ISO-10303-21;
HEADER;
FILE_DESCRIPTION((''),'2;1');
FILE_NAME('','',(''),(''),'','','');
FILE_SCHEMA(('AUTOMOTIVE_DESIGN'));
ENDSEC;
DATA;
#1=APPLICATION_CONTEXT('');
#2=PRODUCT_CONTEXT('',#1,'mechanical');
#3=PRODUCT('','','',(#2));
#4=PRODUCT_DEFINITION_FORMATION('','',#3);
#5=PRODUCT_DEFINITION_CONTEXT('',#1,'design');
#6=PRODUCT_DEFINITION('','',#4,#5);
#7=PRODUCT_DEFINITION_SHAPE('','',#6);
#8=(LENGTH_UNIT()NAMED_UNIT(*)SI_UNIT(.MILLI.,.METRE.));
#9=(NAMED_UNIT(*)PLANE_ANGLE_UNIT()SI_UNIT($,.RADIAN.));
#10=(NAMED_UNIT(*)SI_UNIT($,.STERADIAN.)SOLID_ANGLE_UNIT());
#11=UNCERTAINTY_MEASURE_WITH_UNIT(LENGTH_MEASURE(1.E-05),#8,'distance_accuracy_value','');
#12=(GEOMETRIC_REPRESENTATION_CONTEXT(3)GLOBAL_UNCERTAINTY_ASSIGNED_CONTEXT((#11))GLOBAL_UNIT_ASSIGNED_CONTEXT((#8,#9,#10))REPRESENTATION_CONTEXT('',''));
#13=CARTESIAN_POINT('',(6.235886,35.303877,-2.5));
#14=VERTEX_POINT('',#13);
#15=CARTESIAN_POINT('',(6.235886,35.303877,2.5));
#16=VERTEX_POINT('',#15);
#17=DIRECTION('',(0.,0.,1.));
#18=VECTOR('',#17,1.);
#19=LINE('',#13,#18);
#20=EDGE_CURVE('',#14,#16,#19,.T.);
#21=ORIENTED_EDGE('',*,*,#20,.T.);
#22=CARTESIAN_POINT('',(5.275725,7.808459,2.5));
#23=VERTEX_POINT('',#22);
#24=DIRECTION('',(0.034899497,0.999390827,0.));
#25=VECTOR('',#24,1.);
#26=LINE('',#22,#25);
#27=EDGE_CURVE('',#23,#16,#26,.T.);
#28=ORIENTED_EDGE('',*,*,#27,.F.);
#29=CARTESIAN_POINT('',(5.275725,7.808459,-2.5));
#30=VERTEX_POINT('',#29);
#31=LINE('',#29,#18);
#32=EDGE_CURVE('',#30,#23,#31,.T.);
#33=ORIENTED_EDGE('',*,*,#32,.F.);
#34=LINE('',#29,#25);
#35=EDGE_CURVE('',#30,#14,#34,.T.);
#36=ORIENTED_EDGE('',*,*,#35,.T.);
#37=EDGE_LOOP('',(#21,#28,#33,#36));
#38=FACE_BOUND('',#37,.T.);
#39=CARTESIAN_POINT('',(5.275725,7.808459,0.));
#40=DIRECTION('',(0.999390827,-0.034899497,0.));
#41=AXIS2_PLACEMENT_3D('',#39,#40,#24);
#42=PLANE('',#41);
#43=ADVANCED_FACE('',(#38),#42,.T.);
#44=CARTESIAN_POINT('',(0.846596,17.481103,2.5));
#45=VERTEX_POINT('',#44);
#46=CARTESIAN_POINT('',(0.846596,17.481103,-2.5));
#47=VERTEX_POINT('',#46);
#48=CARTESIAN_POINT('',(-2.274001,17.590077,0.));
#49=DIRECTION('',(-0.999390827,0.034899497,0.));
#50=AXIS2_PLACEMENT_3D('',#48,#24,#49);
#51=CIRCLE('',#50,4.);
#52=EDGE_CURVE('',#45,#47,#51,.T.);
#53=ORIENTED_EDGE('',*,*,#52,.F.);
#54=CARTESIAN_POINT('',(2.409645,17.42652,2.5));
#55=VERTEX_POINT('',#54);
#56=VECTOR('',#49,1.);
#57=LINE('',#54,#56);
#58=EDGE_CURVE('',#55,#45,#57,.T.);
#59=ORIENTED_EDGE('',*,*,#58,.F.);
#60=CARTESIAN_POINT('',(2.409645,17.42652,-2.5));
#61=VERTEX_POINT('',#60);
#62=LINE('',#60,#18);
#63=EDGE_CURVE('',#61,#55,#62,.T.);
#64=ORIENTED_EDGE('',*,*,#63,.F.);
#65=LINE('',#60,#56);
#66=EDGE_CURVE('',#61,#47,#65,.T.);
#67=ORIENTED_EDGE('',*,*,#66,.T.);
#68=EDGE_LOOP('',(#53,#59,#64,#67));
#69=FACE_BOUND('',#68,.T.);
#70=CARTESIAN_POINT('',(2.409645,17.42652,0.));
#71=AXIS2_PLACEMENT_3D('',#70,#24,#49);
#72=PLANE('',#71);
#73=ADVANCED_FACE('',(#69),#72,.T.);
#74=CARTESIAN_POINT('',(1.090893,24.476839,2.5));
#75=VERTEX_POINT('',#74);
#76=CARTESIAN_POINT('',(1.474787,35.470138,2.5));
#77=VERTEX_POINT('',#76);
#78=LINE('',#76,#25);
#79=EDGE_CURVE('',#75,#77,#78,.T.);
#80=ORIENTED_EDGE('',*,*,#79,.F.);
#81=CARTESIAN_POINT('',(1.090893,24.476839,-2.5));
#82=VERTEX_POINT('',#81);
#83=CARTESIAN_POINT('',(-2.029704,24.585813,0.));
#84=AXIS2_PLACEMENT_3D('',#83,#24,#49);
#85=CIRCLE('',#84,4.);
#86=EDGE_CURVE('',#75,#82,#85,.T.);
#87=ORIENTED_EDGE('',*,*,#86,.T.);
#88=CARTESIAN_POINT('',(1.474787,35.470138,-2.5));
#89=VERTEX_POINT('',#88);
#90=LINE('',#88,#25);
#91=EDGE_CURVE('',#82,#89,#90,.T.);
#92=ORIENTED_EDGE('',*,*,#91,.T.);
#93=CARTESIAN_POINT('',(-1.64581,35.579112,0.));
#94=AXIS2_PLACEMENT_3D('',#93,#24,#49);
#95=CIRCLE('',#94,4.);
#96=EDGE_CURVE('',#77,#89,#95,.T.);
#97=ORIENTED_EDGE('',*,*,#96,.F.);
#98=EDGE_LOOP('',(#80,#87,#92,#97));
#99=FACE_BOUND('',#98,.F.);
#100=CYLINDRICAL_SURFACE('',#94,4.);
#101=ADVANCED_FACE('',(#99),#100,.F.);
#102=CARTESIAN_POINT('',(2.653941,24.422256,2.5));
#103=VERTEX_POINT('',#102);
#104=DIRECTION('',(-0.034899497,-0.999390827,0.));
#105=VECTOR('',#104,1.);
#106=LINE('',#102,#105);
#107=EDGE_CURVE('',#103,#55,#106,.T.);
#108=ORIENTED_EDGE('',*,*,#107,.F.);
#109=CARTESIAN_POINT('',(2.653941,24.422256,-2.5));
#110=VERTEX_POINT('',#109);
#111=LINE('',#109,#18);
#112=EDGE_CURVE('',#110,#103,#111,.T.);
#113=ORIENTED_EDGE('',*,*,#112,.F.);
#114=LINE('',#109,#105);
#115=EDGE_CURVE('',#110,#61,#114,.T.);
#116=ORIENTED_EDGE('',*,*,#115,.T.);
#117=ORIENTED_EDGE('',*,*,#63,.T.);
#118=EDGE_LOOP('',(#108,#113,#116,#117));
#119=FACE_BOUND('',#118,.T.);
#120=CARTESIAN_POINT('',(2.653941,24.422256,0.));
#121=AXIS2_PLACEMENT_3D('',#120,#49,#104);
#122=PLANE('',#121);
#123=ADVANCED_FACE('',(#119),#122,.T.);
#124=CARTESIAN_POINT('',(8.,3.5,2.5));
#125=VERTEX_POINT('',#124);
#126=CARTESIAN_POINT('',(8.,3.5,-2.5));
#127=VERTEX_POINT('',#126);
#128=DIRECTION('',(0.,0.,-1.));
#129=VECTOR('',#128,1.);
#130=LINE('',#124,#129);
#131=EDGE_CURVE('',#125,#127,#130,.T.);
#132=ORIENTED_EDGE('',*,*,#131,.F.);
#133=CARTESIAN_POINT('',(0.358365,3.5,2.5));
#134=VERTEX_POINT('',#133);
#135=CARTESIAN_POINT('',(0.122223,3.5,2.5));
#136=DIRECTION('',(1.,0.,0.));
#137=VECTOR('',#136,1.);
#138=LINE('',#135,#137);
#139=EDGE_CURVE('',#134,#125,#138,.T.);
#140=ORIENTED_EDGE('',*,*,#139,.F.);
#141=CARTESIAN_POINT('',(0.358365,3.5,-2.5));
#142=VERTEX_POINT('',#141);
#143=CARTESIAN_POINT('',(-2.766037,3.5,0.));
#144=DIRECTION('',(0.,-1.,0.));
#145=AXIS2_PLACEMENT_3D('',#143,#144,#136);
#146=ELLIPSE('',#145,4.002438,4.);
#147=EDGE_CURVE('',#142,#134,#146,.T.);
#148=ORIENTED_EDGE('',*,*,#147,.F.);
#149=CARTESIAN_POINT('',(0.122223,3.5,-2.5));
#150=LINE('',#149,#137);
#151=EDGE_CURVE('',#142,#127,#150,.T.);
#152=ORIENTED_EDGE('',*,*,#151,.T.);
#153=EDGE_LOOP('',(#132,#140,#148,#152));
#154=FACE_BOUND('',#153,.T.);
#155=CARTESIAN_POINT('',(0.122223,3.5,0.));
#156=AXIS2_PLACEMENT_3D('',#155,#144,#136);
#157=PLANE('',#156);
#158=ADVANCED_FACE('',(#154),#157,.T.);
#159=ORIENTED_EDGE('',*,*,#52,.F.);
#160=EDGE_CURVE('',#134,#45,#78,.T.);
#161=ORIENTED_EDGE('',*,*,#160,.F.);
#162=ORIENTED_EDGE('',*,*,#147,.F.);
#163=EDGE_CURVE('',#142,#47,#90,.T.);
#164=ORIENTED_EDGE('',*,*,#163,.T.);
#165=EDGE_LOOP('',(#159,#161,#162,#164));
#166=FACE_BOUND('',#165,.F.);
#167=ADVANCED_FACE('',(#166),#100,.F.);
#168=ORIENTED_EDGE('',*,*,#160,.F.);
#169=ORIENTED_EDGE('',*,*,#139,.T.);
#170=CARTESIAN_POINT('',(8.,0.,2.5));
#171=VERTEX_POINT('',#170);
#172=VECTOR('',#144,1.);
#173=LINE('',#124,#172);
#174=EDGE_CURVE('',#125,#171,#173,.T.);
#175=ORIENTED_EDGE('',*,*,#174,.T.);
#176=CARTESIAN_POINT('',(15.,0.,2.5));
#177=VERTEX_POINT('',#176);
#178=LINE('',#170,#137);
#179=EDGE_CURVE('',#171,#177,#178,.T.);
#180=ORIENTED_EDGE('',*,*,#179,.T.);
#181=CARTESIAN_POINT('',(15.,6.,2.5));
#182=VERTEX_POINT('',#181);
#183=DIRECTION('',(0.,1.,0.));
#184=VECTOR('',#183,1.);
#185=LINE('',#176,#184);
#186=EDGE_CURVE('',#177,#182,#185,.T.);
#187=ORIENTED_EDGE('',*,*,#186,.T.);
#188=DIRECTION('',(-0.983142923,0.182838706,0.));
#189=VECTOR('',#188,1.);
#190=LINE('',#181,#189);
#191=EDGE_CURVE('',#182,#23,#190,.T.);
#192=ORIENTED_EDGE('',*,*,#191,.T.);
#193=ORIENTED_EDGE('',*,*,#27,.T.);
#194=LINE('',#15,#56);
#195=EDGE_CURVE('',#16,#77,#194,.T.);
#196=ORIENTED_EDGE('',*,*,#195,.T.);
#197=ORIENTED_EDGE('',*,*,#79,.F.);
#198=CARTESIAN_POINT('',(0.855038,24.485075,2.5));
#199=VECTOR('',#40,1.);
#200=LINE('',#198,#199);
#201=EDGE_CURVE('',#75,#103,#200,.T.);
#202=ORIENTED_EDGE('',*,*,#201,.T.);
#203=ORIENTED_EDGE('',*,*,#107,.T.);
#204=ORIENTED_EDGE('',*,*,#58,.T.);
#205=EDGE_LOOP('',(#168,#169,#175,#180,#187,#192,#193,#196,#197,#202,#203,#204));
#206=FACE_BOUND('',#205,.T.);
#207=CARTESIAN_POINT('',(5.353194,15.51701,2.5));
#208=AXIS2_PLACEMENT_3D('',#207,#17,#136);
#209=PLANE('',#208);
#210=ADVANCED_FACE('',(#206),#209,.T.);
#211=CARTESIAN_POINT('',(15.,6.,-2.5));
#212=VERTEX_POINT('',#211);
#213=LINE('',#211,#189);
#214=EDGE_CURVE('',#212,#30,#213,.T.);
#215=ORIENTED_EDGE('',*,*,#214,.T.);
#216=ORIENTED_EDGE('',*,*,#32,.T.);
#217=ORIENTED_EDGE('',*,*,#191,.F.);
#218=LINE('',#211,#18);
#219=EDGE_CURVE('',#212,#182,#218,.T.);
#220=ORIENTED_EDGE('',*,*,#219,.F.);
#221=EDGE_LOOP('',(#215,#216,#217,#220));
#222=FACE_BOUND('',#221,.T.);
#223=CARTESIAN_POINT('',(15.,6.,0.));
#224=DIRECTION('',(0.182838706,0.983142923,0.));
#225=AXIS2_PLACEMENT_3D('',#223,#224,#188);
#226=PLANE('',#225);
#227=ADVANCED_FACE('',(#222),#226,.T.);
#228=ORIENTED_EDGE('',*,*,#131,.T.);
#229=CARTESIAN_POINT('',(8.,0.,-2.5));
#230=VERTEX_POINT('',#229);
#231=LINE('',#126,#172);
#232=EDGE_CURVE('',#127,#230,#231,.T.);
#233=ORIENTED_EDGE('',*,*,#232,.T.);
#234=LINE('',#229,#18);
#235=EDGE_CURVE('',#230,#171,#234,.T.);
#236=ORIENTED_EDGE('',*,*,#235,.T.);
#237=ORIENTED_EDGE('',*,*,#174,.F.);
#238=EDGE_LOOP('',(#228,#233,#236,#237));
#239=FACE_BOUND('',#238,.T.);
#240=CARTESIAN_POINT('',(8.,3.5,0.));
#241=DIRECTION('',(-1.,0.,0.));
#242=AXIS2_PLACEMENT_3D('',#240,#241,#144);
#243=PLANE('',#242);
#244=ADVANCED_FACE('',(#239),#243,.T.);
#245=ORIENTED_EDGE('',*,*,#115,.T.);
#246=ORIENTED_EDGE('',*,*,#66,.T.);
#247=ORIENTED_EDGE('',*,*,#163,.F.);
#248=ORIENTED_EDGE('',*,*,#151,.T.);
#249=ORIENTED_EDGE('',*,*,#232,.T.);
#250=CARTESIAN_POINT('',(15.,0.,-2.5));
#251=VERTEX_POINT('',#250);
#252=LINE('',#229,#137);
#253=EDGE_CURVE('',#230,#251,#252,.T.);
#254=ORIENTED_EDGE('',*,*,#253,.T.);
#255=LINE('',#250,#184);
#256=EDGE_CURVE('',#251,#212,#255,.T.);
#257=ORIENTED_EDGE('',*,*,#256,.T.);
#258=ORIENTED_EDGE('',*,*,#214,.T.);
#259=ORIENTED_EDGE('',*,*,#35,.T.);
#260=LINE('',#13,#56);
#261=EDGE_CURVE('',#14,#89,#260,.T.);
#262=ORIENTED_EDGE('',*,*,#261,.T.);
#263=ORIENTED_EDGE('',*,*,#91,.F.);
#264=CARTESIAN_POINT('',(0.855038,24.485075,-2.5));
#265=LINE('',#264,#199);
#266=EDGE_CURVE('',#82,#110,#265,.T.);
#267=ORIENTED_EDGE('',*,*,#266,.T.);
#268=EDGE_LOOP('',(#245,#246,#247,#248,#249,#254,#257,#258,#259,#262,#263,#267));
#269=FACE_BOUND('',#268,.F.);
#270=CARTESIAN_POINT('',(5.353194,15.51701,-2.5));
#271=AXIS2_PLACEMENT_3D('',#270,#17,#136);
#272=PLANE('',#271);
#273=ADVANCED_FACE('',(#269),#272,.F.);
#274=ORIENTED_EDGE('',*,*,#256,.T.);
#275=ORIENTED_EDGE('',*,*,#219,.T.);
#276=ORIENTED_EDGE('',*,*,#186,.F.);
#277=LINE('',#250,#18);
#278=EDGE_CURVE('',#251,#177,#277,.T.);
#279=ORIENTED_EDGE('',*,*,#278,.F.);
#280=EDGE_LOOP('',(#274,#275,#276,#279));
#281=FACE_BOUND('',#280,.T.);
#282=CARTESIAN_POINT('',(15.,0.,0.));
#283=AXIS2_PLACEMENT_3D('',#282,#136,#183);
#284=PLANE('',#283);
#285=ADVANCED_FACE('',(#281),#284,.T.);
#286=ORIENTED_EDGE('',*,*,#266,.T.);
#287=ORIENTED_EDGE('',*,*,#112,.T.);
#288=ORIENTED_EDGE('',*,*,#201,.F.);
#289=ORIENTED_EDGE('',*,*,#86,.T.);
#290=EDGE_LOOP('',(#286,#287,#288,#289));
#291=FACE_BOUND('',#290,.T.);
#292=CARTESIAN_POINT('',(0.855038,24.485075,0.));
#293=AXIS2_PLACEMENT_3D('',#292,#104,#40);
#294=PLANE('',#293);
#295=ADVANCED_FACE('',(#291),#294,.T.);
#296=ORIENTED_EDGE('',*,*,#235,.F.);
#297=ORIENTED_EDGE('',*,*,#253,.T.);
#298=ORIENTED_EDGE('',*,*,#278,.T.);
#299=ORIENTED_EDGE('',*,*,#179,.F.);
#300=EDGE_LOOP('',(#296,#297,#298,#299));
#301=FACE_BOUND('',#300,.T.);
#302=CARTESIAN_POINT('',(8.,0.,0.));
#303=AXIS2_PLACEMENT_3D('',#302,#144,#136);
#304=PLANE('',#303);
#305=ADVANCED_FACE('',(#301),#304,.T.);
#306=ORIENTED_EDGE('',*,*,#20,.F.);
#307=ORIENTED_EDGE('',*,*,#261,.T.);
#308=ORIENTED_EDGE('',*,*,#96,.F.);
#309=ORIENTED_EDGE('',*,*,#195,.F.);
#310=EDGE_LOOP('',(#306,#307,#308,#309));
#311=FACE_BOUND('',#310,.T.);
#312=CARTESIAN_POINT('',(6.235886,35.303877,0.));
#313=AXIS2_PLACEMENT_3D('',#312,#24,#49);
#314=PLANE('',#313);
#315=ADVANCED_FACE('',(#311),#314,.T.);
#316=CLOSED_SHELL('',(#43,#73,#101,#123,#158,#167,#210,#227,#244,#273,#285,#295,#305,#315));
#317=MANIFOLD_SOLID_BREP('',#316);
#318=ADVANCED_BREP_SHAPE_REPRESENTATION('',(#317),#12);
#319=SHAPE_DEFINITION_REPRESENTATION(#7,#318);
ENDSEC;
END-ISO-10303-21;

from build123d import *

# Parameters (mm, degrees)
F1_DEPTH = 2.5
F2_R     = 4
F3_DEPTH = 40


with BuildPart() as f1:
    # F0 (on Top) → F1 (new body, symmetric)
    with BuildSketch(Plane.XY):
        Polygon((8, 3.5), (8, 0), (15, 0), (15, 6), (5.2757251244, 7.8084591731), (6.235886268, 35.3038768757), (1.2389321329, 35.4783743592), (0.8550376692, 24.485075262), (2.6539411578, 24.4222561679), (2.4096446809, 17.4265203788), (0.6107411923, 17.4893394728), (0.1222226932, 3.5), align=None)
    extrude(amount=F1_DEPTH, both=True)

    # F2 (on face) → F3 (cut)
    with BuildSketch(Plane(origin=(1.2389321329, 35.4783743592, 0), x_dir=(-0.999390827, 0.0348994967, 0), z_dir=(0.0348994967, 0.999390827, 0))):
        with Locations((2.8865002096, 0)):
            Circle(F2_R)
    extrude(amount=-F3_DEPTH, mode=Mode.SUBTRACT)


solid = f1.part
